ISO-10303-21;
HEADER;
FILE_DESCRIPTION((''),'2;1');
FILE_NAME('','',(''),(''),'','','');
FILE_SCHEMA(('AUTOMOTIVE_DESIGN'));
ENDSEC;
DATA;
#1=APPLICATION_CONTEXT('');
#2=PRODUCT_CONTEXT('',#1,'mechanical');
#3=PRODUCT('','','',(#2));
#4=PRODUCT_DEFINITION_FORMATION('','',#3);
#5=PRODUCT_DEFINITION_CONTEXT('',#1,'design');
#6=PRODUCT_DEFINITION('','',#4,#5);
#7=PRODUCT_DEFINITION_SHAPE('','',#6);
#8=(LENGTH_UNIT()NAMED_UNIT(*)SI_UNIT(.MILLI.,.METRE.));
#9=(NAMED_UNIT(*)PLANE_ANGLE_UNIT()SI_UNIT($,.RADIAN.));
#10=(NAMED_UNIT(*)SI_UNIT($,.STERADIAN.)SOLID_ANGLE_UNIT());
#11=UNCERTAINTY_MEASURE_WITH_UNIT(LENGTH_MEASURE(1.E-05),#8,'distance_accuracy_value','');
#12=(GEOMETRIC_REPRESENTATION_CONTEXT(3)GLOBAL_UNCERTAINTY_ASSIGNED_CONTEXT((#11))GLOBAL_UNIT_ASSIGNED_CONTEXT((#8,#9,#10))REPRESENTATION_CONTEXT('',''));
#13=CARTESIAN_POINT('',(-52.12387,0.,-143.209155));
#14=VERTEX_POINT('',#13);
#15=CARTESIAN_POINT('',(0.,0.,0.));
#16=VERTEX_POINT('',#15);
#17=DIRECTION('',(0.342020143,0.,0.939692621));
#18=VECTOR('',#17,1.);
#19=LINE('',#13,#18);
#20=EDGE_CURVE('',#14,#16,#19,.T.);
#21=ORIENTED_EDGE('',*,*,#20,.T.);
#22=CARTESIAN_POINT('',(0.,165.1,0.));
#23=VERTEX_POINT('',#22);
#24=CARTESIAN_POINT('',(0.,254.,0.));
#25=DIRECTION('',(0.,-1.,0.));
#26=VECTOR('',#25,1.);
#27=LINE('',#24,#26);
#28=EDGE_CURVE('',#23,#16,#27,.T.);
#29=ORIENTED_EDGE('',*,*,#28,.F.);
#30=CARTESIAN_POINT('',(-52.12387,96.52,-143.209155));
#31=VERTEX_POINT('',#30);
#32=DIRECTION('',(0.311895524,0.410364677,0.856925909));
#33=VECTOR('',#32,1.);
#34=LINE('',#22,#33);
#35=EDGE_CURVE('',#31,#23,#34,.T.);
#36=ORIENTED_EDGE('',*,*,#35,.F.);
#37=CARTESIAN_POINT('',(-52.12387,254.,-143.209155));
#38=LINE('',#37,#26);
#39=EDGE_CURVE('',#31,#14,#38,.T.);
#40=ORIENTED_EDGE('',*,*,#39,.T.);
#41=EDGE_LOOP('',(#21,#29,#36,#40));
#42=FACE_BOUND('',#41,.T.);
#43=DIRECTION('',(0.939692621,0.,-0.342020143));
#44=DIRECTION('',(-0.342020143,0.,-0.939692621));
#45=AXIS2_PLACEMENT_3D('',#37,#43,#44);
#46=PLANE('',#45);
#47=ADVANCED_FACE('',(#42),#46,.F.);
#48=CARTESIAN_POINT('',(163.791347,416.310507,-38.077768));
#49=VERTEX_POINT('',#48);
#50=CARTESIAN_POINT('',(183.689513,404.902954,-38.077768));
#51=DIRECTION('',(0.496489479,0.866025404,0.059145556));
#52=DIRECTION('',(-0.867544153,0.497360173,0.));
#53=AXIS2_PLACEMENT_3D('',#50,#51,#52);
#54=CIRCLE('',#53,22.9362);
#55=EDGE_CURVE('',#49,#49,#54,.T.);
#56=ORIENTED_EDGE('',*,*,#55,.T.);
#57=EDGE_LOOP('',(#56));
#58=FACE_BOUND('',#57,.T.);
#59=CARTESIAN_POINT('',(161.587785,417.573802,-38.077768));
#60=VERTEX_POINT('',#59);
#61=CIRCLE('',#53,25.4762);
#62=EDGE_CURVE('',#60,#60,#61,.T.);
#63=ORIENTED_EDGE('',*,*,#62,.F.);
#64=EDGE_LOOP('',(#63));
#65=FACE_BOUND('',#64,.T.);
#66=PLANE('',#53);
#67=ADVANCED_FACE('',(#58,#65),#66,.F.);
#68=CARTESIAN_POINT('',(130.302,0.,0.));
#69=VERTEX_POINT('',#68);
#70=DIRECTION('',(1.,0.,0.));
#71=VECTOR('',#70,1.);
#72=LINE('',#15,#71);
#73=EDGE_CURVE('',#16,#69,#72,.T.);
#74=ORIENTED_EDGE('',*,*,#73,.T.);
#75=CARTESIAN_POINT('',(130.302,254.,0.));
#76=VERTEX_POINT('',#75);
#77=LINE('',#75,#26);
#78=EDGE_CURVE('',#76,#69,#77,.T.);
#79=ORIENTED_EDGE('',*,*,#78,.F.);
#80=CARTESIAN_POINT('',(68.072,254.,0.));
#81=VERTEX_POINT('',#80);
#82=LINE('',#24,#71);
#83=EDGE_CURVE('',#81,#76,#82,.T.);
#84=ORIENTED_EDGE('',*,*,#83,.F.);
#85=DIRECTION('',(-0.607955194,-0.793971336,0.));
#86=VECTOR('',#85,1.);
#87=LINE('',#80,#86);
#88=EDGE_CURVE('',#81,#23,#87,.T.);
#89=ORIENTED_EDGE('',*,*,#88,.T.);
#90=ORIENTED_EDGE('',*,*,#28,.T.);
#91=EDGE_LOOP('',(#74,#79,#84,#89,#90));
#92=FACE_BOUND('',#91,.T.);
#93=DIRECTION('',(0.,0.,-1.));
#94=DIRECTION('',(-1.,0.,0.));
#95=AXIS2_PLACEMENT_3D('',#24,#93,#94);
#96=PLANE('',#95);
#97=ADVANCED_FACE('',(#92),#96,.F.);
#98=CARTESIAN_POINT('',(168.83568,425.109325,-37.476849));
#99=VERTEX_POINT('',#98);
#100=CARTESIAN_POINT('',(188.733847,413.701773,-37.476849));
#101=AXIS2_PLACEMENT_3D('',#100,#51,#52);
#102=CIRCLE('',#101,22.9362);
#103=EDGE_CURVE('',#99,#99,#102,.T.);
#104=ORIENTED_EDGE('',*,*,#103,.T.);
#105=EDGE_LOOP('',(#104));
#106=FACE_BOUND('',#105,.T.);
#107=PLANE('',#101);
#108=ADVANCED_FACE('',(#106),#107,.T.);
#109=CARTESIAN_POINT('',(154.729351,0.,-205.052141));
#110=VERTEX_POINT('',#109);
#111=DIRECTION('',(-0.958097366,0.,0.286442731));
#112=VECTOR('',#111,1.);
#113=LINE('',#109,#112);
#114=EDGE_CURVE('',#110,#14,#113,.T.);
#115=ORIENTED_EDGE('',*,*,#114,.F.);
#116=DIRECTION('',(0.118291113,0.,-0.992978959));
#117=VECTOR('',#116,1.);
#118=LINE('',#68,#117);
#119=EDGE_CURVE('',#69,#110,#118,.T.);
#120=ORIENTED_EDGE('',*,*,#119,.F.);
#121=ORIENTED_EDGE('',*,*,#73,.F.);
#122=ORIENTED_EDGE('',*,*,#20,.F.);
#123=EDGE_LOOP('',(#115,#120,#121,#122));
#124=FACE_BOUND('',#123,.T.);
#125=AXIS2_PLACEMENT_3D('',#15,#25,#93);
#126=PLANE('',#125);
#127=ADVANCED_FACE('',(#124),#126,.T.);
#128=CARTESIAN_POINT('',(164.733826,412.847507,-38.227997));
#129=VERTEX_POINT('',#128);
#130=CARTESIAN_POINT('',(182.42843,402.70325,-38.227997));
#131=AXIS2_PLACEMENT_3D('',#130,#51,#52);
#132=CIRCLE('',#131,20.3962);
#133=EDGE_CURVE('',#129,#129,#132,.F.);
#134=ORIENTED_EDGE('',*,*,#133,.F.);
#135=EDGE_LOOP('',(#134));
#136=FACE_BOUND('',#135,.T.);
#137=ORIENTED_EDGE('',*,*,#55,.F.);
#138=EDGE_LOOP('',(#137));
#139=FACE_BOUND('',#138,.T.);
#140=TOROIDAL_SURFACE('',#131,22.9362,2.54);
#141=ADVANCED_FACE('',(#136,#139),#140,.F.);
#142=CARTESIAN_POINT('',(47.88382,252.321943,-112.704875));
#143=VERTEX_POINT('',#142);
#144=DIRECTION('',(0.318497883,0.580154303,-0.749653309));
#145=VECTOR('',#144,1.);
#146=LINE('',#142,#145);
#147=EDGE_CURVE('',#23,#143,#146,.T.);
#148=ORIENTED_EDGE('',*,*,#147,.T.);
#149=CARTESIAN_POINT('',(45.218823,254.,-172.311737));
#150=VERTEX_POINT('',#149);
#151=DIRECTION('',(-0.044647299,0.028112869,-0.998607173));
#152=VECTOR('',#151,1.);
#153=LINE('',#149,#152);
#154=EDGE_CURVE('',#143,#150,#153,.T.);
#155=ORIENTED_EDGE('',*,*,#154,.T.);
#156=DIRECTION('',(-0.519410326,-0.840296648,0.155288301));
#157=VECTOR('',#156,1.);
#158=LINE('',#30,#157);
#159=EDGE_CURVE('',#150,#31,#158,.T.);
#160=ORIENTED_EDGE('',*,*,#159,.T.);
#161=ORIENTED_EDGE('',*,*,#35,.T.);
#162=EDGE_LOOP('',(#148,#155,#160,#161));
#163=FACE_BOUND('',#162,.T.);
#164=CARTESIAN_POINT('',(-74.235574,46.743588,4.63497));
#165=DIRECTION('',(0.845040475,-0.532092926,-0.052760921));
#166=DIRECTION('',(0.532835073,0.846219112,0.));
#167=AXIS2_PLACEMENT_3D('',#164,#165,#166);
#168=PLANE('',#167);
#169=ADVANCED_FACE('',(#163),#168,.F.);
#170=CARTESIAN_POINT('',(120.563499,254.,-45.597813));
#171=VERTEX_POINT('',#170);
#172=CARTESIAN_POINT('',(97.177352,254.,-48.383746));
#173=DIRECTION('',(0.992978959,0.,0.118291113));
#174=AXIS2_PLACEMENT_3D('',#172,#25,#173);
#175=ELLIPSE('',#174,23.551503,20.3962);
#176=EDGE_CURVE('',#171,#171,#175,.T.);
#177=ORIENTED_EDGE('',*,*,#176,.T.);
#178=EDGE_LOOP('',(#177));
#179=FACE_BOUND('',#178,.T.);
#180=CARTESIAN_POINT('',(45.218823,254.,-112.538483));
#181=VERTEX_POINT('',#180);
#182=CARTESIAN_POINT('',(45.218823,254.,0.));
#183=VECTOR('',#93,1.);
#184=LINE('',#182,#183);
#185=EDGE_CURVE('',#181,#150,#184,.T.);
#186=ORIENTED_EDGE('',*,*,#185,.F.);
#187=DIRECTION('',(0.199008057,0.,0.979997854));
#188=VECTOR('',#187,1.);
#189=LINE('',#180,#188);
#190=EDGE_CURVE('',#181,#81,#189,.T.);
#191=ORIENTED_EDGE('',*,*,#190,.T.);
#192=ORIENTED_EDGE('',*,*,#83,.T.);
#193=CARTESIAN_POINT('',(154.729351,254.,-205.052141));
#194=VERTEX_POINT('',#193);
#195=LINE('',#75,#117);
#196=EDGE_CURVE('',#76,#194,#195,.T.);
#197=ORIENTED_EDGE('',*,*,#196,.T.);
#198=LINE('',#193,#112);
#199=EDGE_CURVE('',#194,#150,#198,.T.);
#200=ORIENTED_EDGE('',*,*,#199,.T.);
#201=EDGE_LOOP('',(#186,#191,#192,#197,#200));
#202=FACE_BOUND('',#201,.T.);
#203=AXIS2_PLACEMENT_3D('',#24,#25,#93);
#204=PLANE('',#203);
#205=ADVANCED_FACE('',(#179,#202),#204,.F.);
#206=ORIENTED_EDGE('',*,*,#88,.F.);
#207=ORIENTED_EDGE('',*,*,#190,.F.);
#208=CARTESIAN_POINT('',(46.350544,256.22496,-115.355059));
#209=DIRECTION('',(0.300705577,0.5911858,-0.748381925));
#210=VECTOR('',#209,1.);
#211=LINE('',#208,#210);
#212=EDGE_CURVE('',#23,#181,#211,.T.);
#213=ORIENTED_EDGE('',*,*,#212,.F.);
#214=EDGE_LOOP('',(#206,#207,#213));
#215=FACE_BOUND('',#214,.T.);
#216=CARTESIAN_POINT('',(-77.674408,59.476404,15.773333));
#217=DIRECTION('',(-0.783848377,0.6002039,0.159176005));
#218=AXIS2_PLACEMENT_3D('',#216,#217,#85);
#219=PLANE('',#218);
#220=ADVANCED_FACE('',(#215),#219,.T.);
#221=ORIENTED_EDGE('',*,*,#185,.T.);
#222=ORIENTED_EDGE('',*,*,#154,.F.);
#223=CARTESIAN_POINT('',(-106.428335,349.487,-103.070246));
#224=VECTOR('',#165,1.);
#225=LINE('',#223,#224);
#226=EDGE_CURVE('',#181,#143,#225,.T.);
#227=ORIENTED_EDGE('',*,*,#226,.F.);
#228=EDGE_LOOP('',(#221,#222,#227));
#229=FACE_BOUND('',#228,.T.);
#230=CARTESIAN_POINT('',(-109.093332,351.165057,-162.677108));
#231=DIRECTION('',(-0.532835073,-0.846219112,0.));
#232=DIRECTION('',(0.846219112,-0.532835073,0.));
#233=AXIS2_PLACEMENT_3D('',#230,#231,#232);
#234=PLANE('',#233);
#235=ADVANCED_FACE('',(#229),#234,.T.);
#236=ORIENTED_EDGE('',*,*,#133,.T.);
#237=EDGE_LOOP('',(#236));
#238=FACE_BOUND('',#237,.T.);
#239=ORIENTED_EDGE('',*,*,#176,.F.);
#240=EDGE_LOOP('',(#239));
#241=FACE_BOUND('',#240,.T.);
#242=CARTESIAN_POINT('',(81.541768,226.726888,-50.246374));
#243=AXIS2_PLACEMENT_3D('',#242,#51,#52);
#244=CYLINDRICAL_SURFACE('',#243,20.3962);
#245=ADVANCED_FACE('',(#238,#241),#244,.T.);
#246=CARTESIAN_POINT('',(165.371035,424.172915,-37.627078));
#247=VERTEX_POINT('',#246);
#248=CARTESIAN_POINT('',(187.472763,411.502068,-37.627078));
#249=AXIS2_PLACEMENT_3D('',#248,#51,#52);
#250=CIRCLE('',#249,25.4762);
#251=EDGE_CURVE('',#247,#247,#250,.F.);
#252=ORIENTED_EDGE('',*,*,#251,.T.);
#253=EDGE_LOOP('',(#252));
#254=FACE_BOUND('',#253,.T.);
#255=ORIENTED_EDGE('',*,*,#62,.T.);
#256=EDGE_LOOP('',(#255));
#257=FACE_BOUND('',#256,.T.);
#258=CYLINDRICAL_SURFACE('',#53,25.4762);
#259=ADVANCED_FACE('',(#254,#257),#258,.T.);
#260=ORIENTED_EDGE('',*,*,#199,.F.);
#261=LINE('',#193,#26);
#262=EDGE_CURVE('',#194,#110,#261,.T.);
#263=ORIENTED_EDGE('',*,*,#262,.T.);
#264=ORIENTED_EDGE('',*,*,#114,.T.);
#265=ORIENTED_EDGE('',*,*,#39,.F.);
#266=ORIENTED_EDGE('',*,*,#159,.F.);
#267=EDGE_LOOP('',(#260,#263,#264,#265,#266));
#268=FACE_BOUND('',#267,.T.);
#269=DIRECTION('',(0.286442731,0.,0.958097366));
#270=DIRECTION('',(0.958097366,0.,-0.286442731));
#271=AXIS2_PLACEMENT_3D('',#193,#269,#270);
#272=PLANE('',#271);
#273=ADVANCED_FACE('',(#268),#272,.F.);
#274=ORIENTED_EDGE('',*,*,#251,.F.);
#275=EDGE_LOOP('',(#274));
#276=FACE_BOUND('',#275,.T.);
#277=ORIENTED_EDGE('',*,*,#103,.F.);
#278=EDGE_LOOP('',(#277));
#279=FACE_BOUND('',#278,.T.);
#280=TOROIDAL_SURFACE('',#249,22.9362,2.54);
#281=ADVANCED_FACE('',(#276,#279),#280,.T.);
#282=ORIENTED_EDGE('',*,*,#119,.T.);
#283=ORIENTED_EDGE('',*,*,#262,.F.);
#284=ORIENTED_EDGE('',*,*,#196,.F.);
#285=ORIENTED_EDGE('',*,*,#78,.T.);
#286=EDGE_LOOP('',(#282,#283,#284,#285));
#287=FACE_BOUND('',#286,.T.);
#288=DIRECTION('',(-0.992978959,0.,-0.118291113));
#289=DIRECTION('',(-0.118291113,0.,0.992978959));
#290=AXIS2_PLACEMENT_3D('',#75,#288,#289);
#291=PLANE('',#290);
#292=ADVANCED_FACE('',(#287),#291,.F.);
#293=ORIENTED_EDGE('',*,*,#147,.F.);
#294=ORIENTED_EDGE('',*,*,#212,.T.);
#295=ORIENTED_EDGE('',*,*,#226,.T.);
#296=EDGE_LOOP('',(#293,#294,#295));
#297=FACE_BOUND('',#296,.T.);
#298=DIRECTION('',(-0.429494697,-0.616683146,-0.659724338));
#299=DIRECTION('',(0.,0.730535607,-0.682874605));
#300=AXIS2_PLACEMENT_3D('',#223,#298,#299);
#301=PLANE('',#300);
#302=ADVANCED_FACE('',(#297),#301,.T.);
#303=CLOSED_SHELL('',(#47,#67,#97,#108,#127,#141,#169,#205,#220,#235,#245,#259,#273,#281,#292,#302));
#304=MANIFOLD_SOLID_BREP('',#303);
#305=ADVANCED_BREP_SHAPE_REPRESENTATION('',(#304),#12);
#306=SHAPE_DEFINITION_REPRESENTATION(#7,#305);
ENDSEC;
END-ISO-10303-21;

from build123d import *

# Parameters (mm, degrees)
BOSS_EXTRUDE1_DEPTH      = 254
BOSS_EXTRUDE2_DEPTH      = 165.1
BOSS_EXTRUDE2_DEPTH_BACK = 50.8
SKETCH16_R               = 20.3962
SKETCH17_R               = 25.4762
BOSS_EXTRUDE3_DEPTH      = 10.16
FILLET1_R                = 2.54
CUT_EXTRUDE5_DEPTH       = 518.859576594
CUT_EXTRUDE14_DEPTH      = 516.224718622
CUT_EXTRUDE16_DEPTH      = 488.341428789


with BuildPart() as part:
    # Sketch2 → Boss-Extrude1 (new body)
    with BuildSketch(Plane(origin=(0, 0, 0), x_dir=(1, 0, 0), z_dir=(0, 1, 0))):
        Polygon((0, 0), (130.302, 0), (154.729351402, 205.052140948), (-52.123869843, 143.209155408), align=None)
    extrude(amount=BOSS_EXTRUDE1_DEPTH)

    # Sketch16 → Boss-Extrude2 (add, two sides: drawn at the far end of the back side and taken through both)
    with BuildSketch(Plane(origin=(141.332693429, 246.526276938, 16.836612147), x_dir=(0.11829111292954252, 0, -0.9929789587911166), z_dir=(0.4964894793955593, 0.8660254037844382, 0.059145556464771376)).offset(-BOSS_EXTRUDE2_DEPTH_BACK)):
        with Locations(Location((59.539258978, 48.389402794, 0), (0, 0, 95.890220986))):
            Circle(SKETCH16_R)
    extrude(amount=BOSS_EXTRUDE2_DEPTH + BOSS_EXTRUDE2_DEPTH_BACK)

    # Sketch17 → Boss-Extrude3 (add)
    with BuildSketch(Plane(origin=(223.303106477, 389.507071103, 26.601543519), x_dir=(0.8680427390684899, -0.49533563558134813, -0.0338291482851031), z_dir=(0.49648947939555943, 0.866025403784438, 0.0591455564647714))):
        with Locations(Location((-39.824375463, 65.578020566, 0), (0, 0, 178.057961601))):
            Circle(SKETCH17_R)
    extrude(amount=-BOSS_EXTRUDE3_DEPTH)

    # Fillet1
    fillet1_edges = [part.edges().sort_by_distance(p)[0] for p in [
        (201.384117467, 394.758696828, -38.077767579),
        (210.835574876, 401.03092525, -37.476848726),
    ]]
    fillet(fillet1_edges, radius=FILLET1_R)

    # Sketch37 → Cut-Extrude5 (cut, through all)
    with BuildSketch(Plane(origin=(-74.235573647, 46.74358774, 4.634969946), x_dir=(0.044647299319108304, -0.028112868945999136, 0.9986071726475507), z_dir=(-0.8450404746161061, 0.5320929256471292, 0.052760920546034554))):
        Polygon((-177.193506747, 239.03382897), (-117.503506747, 239.03382897), (-4.641434663, 139.710775348), (-148.050333908, 53.903642677), align=None)
    extrude(amount=CUT_EXTRUDE5_DEPTH, mode=Mode.SUBTRACT)

    # Sketch44 → Cut-Extrude14 (cut, through all)
    with BuildSketch(Plane(origin=(-77.674407605, 59.476403537, 15.773333495), x_dir=(-0.1263811849383747, 0.0967718787528128, -0.9872502213604327), z_dir=(0.7838483769002791, -0.6002039000265006, -0.1591760045477231))):
        Polygon((129.968891102, 229.15973728), (15.977037182, 243.05344524), (15.977037182, 131.08466752), align=None)
    extrude(amount=-CUT_EXTRUDE14_DEPTH, mode=Mode.SUBTRACT)


with BuildPart() as cut_extrude14_piece_1:
    # of the separate pieces the step leaves, piece 1, a body of its own (cut_extrude14_pieces)
    add(part.part.solids().sort_by_distance((164.733826071, 412.847507441, -38.227997293))[0])


with BuildPart() as cut_extrude14_piece_2:
    # of the separate pieces the step leaves, piece 2, a body of its own (cut_extrude14_pieces)
    add(part.part.solids().sort_by_distance((-24.451989708, 254, -67.181289582))[0])

    # Sketch54 → Cut-Extrude16 (cut, through all)
    with BuildSketch(Plane(origin=(48.324107263, 47.921039084, 57.272316376), x_dir=(0.8395487608428681, -0.34863488518909047, -0.4166672473286021), z_dir=(0.5432843437530708, 0.5387528450113599, 0.6438846898513436))):
        Polygon((-57.559619545, 126.622022749), (-3.698754498, 267.020987435), (-89.385563224, 299.892779983), (-143.246428271, 159.493815297), align=None)
    extrude(amount=-CUT_EXTRUDE16_DEPTH, mode=Mode.SUBTRACT)


solid = cut_extrude14_piece_1.part
